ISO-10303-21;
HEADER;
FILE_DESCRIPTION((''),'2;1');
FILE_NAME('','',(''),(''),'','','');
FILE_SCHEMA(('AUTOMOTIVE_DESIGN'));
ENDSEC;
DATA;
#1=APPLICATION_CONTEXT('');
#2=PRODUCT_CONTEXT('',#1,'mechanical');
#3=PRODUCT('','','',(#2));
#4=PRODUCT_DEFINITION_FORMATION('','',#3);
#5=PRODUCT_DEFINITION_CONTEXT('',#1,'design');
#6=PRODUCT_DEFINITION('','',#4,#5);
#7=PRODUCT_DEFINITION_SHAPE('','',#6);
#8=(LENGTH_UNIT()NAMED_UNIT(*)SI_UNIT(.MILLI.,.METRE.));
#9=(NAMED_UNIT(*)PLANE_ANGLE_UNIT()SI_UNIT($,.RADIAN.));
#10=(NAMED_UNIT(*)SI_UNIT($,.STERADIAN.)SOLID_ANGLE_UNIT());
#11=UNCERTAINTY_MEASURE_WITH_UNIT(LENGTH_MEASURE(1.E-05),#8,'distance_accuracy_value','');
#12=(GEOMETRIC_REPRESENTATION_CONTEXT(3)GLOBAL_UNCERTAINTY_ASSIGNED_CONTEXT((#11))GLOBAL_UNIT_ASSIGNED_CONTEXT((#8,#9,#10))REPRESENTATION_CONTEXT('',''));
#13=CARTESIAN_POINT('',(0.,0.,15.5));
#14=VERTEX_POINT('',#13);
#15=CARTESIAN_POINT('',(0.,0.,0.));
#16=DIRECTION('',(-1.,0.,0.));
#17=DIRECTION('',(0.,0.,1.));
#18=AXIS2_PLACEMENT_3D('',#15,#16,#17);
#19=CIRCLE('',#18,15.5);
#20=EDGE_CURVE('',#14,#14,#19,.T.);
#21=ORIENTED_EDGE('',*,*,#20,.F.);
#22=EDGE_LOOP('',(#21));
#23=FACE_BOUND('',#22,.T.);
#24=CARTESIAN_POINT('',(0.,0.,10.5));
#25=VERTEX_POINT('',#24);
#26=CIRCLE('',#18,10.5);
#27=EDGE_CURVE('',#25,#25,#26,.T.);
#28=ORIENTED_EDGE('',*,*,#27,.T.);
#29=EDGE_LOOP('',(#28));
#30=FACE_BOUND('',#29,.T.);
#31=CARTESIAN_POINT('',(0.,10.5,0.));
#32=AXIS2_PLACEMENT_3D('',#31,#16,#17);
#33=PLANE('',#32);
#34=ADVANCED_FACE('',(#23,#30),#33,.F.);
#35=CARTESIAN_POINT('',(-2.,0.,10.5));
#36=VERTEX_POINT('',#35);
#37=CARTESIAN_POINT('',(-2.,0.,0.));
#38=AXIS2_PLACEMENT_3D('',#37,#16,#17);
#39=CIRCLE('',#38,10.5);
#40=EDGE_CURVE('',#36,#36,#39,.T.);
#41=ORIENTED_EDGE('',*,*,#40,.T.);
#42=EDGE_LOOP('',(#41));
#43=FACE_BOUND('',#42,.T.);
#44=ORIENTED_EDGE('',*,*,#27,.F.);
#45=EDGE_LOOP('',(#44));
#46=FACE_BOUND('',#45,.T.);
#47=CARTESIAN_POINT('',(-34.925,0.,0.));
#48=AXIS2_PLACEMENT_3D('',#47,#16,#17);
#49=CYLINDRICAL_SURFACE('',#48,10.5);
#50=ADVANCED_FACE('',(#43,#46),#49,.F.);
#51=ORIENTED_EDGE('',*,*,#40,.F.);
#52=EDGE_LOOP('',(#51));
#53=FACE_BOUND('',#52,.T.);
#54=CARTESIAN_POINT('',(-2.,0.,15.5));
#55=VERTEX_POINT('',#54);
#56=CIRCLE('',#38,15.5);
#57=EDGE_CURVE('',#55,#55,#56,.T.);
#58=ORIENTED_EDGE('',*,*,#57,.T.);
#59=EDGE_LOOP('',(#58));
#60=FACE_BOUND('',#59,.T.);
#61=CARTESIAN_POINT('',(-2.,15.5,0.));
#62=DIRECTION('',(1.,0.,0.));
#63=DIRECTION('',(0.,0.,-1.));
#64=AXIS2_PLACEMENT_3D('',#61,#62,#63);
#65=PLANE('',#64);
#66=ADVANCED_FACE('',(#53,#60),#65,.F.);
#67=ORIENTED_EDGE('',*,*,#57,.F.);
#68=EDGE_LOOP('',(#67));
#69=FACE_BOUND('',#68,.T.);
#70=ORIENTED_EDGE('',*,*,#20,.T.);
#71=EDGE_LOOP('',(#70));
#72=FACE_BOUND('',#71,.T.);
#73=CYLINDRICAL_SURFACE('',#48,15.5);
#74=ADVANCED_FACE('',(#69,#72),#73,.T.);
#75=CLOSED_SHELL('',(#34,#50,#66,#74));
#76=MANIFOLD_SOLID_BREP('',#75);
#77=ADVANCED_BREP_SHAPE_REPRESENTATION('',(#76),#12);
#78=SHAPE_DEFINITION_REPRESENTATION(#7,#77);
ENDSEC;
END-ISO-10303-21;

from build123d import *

# Parameters (mm, degrees)
SKETCH1_W = 2
SKETCH1_H = 5


with BuildPart() as part:
    # Sketch1 → Base-Revolve (revolve)
    with BuildSketch(Plane.XY, mode=Mode.PRIVATE) as base_revolve_sk:
        with Locations((-1, 13)):
            Rectangle(SKETCH1_W, SKETCH1_H)
    revolve(base_revolve_sk.sketch.rotate(Axis((-34.925, 0, 0), (1, 0, 0)), 90), axis=Axis((-34.925, 0, 0), (1, 0, 0)))


solid = part.part
